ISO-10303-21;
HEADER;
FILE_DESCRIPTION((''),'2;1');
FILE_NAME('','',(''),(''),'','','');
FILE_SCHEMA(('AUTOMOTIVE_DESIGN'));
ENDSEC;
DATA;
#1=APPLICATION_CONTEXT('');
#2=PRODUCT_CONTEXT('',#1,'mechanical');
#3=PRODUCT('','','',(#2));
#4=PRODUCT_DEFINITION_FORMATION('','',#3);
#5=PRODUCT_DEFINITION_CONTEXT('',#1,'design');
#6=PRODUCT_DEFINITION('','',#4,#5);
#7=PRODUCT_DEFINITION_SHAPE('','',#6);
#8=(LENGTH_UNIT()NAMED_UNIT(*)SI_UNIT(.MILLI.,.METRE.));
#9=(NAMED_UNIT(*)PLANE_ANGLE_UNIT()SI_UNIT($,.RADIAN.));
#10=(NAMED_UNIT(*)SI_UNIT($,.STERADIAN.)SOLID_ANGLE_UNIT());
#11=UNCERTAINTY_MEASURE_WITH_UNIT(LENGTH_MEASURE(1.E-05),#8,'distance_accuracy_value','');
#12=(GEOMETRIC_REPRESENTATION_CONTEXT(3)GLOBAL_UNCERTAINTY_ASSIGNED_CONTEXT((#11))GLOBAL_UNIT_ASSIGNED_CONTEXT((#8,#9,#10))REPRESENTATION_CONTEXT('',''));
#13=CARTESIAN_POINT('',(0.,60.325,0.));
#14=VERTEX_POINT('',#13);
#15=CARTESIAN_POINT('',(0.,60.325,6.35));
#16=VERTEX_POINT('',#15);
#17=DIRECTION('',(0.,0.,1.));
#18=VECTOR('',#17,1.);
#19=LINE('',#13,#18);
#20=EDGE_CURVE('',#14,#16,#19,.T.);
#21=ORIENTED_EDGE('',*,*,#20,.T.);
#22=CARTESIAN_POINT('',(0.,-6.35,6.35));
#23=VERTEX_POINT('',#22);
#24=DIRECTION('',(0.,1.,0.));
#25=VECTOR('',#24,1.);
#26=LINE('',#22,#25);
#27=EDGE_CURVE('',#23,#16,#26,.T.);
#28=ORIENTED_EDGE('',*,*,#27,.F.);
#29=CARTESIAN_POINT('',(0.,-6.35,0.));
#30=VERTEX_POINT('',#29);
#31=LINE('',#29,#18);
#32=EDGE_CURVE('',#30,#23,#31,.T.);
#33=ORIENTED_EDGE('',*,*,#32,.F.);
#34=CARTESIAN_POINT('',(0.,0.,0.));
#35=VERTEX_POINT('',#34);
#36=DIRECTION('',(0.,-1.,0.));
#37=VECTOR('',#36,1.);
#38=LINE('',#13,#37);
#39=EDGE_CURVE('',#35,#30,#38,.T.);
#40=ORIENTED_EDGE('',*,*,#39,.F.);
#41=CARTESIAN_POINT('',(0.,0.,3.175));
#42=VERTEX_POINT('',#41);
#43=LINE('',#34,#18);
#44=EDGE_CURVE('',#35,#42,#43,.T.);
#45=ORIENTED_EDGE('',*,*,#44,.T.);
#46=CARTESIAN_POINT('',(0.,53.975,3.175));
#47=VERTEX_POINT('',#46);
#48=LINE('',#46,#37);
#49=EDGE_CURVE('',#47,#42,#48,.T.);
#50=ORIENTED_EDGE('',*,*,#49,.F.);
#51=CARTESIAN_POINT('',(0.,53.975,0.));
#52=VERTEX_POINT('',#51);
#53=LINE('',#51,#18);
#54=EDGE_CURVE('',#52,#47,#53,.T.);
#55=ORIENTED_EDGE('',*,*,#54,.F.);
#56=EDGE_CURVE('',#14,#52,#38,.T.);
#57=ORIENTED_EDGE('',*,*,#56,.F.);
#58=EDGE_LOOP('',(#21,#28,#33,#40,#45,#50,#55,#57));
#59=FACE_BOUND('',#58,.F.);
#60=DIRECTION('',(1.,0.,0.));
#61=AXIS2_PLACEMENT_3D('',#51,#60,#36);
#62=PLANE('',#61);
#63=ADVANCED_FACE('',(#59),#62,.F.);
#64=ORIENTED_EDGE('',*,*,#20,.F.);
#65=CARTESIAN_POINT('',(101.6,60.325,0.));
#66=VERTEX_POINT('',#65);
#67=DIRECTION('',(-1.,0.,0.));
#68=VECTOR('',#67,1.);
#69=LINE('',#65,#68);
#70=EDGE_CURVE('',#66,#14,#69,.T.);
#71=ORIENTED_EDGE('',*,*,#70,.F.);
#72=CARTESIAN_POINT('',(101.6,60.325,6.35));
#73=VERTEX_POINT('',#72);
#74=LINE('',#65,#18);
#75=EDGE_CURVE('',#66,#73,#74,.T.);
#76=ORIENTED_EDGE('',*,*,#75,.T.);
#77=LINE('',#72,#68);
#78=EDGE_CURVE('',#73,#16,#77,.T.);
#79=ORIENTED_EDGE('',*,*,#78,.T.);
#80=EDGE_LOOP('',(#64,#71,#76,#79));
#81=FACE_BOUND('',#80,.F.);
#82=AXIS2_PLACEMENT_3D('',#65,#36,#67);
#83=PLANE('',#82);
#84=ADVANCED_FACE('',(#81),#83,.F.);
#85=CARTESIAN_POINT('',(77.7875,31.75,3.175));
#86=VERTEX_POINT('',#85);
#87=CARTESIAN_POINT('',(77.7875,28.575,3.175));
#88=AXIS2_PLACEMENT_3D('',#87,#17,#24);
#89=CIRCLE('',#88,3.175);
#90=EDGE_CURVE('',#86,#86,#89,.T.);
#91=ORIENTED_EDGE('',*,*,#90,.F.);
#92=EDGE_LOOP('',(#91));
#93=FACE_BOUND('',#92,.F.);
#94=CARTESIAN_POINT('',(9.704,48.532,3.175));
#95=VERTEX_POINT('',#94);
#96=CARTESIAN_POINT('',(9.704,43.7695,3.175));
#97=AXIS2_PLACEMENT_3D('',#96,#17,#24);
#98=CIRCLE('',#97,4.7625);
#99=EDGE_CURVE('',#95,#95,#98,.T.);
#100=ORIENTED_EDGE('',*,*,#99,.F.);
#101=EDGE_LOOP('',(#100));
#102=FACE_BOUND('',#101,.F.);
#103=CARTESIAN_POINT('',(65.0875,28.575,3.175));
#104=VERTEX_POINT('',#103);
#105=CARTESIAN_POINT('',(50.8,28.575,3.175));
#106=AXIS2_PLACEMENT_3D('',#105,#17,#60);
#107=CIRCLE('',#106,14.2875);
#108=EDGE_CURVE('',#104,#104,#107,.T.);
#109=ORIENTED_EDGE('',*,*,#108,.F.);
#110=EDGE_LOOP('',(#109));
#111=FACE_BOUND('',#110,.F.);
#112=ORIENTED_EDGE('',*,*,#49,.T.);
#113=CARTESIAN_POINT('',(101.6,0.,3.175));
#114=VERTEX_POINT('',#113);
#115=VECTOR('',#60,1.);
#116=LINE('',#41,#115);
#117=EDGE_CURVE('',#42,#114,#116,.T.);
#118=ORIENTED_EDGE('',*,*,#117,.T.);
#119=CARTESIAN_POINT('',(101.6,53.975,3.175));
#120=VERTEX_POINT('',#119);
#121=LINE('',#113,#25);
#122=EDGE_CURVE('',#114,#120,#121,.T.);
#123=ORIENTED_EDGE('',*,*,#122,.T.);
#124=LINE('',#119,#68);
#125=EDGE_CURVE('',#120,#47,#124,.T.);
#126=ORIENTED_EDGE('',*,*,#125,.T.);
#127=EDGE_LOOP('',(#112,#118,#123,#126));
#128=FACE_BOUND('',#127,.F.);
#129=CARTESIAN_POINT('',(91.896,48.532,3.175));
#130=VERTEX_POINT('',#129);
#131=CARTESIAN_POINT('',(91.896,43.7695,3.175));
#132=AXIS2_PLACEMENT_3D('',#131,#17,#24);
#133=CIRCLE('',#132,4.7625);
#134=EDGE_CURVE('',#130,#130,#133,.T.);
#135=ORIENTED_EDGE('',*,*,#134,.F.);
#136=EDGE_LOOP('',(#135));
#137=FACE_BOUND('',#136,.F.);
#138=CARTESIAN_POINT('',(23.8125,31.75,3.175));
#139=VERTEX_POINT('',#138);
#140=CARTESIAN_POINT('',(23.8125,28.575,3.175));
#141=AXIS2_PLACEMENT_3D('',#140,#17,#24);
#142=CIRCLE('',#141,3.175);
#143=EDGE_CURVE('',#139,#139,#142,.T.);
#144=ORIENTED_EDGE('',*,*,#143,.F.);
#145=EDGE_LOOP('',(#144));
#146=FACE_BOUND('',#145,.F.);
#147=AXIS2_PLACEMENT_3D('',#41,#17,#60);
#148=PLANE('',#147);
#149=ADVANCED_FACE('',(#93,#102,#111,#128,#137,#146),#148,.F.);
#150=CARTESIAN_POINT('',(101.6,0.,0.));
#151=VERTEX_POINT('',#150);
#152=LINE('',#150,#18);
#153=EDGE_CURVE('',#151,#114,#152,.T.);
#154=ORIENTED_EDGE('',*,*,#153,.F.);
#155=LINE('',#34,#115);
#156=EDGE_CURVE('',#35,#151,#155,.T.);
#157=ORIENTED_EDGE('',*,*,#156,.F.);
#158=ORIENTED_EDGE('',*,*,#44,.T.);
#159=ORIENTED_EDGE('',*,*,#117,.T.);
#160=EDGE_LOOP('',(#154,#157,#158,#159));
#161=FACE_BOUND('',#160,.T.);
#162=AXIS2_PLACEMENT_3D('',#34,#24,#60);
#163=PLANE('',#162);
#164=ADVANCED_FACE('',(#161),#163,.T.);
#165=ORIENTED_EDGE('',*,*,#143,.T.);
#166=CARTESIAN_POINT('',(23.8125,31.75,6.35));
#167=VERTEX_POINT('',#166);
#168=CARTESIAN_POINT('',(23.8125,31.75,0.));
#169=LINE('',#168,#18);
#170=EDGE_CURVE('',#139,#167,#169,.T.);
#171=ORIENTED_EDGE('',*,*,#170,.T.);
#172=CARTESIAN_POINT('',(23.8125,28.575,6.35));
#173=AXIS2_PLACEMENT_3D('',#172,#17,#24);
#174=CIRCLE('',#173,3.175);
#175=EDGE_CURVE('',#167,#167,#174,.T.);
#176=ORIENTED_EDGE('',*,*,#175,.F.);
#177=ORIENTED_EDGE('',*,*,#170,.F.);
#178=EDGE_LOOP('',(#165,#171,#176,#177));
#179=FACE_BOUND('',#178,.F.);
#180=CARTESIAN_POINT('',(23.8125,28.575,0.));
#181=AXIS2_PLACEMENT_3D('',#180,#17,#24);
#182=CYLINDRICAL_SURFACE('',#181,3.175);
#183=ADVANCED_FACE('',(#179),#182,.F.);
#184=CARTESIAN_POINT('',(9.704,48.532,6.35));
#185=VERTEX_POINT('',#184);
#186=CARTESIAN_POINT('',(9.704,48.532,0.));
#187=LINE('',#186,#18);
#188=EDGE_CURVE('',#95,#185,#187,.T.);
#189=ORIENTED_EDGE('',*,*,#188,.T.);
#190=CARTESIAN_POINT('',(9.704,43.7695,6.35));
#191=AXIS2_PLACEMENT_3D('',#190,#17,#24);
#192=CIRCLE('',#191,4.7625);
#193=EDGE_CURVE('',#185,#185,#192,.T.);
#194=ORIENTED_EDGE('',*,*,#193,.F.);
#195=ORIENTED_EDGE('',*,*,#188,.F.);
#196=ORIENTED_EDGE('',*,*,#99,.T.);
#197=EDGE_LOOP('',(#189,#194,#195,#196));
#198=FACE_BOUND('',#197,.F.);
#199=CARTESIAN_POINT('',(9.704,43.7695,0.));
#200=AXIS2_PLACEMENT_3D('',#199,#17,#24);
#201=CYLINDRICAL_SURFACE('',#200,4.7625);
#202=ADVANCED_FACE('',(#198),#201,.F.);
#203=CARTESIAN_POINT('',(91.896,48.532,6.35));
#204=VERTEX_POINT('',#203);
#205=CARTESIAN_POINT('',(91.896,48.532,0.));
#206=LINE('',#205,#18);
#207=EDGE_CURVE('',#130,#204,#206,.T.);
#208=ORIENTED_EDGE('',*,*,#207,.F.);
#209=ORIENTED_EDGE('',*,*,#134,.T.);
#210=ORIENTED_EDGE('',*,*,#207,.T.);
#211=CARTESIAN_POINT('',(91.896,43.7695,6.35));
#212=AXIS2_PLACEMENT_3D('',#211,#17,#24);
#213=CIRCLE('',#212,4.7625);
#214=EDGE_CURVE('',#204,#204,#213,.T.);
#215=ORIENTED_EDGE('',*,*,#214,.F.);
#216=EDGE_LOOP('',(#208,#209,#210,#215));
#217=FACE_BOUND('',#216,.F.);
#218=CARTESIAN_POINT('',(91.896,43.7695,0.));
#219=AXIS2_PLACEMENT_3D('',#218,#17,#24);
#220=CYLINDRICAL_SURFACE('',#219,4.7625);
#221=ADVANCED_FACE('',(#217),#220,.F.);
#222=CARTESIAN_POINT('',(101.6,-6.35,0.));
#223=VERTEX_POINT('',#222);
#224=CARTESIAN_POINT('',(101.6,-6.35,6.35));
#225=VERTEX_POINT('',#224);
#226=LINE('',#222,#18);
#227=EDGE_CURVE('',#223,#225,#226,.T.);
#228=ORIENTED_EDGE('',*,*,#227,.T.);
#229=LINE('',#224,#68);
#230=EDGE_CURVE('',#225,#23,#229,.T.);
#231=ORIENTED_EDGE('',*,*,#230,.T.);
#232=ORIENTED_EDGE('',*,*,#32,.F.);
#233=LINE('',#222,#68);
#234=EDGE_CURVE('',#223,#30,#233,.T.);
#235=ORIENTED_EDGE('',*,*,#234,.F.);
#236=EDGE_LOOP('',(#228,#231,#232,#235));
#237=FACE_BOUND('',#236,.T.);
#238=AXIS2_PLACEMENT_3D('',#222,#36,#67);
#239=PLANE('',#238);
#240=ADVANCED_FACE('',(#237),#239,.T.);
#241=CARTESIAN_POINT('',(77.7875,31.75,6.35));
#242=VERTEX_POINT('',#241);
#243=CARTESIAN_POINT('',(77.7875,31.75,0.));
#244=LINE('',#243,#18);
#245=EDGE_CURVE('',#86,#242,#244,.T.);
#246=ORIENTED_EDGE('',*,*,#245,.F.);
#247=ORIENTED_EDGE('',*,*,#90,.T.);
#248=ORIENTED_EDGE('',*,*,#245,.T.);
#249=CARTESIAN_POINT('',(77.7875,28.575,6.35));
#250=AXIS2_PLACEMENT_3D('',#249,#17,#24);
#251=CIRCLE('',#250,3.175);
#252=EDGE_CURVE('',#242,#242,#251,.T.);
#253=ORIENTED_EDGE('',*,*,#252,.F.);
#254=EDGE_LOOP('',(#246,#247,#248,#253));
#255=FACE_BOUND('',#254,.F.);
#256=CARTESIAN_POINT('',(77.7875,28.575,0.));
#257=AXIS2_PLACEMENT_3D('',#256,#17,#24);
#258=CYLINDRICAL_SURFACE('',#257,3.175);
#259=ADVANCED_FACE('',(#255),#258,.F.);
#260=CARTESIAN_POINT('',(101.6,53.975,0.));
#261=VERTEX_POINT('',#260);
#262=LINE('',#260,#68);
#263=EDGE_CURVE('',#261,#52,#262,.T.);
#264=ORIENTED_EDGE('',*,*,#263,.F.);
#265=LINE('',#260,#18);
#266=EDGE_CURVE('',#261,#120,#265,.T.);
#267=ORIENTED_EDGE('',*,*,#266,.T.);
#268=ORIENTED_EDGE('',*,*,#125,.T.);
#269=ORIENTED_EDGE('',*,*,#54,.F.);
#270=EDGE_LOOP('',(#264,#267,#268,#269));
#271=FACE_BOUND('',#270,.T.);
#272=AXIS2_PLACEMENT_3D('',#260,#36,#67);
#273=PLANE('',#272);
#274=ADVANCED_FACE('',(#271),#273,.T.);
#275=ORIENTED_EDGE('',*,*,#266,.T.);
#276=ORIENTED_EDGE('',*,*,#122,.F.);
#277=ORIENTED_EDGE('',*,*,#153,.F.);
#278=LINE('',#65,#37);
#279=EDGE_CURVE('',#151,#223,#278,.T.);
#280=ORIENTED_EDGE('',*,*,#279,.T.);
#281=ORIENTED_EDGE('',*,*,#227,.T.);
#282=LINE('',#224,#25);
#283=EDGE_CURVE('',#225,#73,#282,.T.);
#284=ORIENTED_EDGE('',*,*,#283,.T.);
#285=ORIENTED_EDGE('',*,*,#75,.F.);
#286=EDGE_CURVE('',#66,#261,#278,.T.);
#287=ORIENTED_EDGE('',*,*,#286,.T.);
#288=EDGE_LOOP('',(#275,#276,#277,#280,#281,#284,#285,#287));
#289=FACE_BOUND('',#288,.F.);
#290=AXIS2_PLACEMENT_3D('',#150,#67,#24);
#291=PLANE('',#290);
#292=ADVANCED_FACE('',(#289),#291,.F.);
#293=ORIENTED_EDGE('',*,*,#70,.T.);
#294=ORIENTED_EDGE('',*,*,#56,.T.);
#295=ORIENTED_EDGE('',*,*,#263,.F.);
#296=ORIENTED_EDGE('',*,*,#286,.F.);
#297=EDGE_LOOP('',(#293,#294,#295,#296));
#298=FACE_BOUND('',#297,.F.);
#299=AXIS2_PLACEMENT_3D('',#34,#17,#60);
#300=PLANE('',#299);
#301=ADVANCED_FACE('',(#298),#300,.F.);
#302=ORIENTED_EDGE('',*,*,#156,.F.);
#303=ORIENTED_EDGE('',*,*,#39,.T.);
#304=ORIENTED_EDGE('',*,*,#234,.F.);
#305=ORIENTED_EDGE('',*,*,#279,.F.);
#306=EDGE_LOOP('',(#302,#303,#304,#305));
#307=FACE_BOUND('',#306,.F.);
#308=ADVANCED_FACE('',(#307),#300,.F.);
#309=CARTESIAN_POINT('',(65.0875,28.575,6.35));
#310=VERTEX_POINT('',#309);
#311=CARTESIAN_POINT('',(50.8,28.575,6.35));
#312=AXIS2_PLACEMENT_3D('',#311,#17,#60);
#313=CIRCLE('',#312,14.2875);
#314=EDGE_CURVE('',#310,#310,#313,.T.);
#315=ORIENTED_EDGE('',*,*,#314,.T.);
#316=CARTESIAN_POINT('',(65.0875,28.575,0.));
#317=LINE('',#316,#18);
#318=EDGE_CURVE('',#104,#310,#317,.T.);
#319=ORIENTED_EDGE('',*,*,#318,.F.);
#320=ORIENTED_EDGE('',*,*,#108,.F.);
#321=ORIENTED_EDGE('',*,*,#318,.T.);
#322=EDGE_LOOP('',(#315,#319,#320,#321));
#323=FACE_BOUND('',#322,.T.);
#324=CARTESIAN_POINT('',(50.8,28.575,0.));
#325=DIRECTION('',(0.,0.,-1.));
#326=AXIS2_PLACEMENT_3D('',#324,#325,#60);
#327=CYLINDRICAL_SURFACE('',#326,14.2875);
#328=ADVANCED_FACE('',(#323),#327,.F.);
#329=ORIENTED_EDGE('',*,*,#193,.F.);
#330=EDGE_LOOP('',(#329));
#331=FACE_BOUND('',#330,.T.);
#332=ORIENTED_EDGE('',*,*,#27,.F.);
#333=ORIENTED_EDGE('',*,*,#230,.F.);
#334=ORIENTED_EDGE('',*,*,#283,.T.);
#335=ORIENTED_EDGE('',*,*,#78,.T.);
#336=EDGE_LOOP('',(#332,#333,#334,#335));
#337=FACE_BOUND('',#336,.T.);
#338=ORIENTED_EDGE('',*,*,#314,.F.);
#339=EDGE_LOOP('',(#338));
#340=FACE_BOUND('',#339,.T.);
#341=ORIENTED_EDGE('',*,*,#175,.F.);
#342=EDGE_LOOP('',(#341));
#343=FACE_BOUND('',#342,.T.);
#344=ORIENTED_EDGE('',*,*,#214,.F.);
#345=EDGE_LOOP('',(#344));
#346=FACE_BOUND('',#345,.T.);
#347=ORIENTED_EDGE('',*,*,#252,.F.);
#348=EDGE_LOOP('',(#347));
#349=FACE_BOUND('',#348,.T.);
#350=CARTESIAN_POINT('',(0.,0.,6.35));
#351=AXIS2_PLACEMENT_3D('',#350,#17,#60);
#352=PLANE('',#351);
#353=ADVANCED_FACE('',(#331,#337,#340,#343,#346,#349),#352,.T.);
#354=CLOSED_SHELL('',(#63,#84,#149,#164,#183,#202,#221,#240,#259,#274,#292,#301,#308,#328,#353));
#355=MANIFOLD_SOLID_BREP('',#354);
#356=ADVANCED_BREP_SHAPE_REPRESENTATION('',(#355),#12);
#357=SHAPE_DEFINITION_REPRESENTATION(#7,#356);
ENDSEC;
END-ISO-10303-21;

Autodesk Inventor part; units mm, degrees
ref_plane "YZ Plane" through (0, 0, 0) normal (1, 0, 0) x (0, 1, 0)
ref_plane "XZ Plane" through (0, 0, 0) normal (0, 1, 0) x (-1, 0, 0)
ref_plane "XY Plane" through (0, 0, 0) normal (0, 0, 1) x (1, 0, 0)
sketch "Sketch1" plane through (0, 0, 0) normal (0, 0, 1) x (1, 0, 0)
  line L0 (0, 0) -> (101.6, 0)
  line L1 (101.6, 0) -> (101.6, 53.975)
  line L2 (101.6, 53.975) -> (0, 53.975)
  line L3 (0, 53.975) -> (0, 0)
  circle A0 centre (50.8, 28.575) radius 14.2875
  line L4 (23.8125, 28.575) -> (50.8, 28.575) construction
  line L5 (50.8, 28.575) -> (77.7875, 28.575) construction
  line L6 (50.8, 28.575) -> (50.8, 53.975) construction
  line L7 (101.6, 0) -> (101.6, -6.35)
  line L8 (101.6, -6.35) -> (0, -6.35)
  line L9 (0, -6.35) -> (0, 0)
  line L10 (0, 53.975) -> (101.6, 53.975)
  line L11 (101.6, 53.975) -> (101.6, 60.325)
  line L12 (101.6, 60.325) -> (0, 60.325)
  line L13 (0, 60.325) -> (0, 53.975)
  point P0 (9.704, 43.7695)
  point P1 (91.896, 43.7695)
  dimension "d0" = 53.975
  dimension "d2" = 101.6
  dimension "d3" = 28.575
  dimension "d4" = 50.8
  dimension "d5" = 28.575
  dimension "d6" = 26.9875
  dimension "d7" = 41.096
  dimension "d8" = 15.1945
  dimension "d9" = 6.35
  dimension "d10" = 6.35
extrude "Extrusion1" add sketch "Sketch1" along normal blind 6.35
extrude "Extrusion2" cut sketch "Sketch1" along normal blind 3.175 contours L3 L2 L1 L0
hole "Hole1" at (23.8125, 28.575, 0) at (77.7875, 28.575, 0) direction (0, 0, 1) diameter 6.35 end through all
hole "Hole2" at (9.704, 43.7695, 0) at (91.896, 43.7695, 0) direction (0, 0, 1) diameter 9.525 end through all
equation "\"d4\" = 0.5 * d2"
properties part number "Mounting Jig"
